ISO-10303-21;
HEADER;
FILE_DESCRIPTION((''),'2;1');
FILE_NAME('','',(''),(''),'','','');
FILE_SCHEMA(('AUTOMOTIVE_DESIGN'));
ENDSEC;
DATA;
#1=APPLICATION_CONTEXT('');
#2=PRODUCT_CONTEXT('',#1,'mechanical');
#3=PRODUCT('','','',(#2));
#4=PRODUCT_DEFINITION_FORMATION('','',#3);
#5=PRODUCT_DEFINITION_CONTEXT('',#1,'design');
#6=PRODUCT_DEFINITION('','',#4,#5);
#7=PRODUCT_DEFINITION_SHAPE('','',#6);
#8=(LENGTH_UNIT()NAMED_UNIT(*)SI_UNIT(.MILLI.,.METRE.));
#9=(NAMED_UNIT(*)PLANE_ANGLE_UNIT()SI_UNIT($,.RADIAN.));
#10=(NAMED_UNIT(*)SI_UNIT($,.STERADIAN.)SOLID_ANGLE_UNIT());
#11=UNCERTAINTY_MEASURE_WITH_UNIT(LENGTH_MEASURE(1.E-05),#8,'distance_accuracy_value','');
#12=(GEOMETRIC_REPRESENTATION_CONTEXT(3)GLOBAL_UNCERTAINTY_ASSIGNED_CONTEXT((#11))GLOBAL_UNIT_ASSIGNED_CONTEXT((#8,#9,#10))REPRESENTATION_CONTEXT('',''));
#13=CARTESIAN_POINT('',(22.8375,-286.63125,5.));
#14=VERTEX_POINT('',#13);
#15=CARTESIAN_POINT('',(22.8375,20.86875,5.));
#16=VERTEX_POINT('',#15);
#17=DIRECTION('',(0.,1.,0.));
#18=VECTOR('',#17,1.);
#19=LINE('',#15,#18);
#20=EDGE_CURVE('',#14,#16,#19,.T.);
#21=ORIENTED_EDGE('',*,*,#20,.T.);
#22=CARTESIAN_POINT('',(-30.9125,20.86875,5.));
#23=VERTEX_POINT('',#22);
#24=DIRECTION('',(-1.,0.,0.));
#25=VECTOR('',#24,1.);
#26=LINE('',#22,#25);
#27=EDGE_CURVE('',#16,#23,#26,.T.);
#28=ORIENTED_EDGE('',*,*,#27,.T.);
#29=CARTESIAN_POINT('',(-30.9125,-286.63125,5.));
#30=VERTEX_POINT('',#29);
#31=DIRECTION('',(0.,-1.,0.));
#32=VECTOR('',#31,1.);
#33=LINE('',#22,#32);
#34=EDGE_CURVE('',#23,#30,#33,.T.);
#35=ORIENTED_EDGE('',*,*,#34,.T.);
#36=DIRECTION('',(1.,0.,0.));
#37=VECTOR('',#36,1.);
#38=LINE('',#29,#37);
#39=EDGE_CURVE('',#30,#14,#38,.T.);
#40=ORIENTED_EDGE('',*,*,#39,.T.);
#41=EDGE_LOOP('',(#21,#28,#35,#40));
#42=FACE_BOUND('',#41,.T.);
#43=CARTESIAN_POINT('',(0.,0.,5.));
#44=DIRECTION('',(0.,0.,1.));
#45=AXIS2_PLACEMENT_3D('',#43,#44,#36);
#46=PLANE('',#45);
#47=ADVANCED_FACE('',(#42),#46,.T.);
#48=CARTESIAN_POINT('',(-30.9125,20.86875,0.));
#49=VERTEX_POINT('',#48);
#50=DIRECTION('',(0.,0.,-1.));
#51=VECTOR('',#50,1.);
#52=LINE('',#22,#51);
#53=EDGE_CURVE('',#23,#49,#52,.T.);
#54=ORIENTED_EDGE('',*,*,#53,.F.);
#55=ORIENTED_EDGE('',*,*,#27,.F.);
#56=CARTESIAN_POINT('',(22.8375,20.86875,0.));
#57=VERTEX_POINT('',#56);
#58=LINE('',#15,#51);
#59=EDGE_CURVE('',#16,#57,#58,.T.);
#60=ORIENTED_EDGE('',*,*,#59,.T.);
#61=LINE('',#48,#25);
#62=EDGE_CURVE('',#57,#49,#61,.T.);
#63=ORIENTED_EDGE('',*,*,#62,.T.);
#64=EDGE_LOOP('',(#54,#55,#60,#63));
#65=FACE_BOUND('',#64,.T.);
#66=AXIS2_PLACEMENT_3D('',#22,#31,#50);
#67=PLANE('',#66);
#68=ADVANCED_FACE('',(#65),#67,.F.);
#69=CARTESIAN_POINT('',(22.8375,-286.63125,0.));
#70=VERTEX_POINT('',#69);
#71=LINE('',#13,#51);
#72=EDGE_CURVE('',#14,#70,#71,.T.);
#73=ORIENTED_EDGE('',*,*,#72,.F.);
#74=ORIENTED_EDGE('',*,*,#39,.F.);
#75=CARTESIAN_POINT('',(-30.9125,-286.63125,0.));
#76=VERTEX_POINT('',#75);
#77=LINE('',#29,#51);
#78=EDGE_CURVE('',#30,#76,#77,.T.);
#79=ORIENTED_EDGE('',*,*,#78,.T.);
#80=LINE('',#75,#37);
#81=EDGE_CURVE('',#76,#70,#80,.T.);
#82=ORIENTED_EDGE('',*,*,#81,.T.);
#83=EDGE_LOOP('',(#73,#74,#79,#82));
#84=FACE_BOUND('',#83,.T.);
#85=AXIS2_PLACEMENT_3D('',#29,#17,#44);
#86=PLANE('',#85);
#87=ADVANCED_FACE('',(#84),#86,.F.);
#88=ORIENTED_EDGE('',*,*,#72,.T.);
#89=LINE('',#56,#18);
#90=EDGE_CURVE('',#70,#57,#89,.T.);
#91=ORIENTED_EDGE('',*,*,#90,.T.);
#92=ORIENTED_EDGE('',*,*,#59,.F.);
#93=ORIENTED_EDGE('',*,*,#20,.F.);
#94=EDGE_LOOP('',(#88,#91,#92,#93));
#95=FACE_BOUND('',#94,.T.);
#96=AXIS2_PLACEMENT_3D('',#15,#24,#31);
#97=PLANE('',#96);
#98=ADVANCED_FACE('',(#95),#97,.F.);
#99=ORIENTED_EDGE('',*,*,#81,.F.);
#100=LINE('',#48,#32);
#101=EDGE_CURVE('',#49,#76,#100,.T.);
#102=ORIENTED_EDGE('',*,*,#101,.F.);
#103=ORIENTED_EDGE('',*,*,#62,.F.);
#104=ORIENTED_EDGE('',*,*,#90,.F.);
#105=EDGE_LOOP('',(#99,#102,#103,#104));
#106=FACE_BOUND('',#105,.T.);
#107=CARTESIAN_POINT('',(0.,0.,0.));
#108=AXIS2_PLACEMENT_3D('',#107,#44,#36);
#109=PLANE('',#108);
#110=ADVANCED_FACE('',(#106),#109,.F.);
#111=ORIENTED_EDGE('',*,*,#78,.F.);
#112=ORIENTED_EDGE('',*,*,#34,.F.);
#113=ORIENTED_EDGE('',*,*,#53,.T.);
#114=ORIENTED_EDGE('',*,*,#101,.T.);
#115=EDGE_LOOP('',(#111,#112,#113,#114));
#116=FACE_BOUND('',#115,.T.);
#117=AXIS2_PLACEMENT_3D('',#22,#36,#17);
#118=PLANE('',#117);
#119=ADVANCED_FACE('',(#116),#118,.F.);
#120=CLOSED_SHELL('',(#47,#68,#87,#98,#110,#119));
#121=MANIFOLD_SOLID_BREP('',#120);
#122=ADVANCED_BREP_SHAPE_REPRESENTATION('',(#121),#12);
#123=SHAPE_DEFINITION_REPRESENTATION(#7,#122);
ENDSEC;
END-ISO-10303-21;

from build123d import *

# Parameters (mm, degrees)
ESQUISSE1_W        = 53.75
ESQUISSE1_H        = 307.5
BOSS_EXTRU_4_DEPTH = 5


with BuildPart() as part:
    # Esquisse1 → Boss.-Extru.4 (new body)
    with BuildSketch(Plane.XY):
        with Locations((-4.0375, -132.88125)):
            Rectangle(ESQUISSE1_W, ESQUISSE1_H)
    extrude(amount=BOSS_EXTRU_4_DEPTH)


solid = part.part
